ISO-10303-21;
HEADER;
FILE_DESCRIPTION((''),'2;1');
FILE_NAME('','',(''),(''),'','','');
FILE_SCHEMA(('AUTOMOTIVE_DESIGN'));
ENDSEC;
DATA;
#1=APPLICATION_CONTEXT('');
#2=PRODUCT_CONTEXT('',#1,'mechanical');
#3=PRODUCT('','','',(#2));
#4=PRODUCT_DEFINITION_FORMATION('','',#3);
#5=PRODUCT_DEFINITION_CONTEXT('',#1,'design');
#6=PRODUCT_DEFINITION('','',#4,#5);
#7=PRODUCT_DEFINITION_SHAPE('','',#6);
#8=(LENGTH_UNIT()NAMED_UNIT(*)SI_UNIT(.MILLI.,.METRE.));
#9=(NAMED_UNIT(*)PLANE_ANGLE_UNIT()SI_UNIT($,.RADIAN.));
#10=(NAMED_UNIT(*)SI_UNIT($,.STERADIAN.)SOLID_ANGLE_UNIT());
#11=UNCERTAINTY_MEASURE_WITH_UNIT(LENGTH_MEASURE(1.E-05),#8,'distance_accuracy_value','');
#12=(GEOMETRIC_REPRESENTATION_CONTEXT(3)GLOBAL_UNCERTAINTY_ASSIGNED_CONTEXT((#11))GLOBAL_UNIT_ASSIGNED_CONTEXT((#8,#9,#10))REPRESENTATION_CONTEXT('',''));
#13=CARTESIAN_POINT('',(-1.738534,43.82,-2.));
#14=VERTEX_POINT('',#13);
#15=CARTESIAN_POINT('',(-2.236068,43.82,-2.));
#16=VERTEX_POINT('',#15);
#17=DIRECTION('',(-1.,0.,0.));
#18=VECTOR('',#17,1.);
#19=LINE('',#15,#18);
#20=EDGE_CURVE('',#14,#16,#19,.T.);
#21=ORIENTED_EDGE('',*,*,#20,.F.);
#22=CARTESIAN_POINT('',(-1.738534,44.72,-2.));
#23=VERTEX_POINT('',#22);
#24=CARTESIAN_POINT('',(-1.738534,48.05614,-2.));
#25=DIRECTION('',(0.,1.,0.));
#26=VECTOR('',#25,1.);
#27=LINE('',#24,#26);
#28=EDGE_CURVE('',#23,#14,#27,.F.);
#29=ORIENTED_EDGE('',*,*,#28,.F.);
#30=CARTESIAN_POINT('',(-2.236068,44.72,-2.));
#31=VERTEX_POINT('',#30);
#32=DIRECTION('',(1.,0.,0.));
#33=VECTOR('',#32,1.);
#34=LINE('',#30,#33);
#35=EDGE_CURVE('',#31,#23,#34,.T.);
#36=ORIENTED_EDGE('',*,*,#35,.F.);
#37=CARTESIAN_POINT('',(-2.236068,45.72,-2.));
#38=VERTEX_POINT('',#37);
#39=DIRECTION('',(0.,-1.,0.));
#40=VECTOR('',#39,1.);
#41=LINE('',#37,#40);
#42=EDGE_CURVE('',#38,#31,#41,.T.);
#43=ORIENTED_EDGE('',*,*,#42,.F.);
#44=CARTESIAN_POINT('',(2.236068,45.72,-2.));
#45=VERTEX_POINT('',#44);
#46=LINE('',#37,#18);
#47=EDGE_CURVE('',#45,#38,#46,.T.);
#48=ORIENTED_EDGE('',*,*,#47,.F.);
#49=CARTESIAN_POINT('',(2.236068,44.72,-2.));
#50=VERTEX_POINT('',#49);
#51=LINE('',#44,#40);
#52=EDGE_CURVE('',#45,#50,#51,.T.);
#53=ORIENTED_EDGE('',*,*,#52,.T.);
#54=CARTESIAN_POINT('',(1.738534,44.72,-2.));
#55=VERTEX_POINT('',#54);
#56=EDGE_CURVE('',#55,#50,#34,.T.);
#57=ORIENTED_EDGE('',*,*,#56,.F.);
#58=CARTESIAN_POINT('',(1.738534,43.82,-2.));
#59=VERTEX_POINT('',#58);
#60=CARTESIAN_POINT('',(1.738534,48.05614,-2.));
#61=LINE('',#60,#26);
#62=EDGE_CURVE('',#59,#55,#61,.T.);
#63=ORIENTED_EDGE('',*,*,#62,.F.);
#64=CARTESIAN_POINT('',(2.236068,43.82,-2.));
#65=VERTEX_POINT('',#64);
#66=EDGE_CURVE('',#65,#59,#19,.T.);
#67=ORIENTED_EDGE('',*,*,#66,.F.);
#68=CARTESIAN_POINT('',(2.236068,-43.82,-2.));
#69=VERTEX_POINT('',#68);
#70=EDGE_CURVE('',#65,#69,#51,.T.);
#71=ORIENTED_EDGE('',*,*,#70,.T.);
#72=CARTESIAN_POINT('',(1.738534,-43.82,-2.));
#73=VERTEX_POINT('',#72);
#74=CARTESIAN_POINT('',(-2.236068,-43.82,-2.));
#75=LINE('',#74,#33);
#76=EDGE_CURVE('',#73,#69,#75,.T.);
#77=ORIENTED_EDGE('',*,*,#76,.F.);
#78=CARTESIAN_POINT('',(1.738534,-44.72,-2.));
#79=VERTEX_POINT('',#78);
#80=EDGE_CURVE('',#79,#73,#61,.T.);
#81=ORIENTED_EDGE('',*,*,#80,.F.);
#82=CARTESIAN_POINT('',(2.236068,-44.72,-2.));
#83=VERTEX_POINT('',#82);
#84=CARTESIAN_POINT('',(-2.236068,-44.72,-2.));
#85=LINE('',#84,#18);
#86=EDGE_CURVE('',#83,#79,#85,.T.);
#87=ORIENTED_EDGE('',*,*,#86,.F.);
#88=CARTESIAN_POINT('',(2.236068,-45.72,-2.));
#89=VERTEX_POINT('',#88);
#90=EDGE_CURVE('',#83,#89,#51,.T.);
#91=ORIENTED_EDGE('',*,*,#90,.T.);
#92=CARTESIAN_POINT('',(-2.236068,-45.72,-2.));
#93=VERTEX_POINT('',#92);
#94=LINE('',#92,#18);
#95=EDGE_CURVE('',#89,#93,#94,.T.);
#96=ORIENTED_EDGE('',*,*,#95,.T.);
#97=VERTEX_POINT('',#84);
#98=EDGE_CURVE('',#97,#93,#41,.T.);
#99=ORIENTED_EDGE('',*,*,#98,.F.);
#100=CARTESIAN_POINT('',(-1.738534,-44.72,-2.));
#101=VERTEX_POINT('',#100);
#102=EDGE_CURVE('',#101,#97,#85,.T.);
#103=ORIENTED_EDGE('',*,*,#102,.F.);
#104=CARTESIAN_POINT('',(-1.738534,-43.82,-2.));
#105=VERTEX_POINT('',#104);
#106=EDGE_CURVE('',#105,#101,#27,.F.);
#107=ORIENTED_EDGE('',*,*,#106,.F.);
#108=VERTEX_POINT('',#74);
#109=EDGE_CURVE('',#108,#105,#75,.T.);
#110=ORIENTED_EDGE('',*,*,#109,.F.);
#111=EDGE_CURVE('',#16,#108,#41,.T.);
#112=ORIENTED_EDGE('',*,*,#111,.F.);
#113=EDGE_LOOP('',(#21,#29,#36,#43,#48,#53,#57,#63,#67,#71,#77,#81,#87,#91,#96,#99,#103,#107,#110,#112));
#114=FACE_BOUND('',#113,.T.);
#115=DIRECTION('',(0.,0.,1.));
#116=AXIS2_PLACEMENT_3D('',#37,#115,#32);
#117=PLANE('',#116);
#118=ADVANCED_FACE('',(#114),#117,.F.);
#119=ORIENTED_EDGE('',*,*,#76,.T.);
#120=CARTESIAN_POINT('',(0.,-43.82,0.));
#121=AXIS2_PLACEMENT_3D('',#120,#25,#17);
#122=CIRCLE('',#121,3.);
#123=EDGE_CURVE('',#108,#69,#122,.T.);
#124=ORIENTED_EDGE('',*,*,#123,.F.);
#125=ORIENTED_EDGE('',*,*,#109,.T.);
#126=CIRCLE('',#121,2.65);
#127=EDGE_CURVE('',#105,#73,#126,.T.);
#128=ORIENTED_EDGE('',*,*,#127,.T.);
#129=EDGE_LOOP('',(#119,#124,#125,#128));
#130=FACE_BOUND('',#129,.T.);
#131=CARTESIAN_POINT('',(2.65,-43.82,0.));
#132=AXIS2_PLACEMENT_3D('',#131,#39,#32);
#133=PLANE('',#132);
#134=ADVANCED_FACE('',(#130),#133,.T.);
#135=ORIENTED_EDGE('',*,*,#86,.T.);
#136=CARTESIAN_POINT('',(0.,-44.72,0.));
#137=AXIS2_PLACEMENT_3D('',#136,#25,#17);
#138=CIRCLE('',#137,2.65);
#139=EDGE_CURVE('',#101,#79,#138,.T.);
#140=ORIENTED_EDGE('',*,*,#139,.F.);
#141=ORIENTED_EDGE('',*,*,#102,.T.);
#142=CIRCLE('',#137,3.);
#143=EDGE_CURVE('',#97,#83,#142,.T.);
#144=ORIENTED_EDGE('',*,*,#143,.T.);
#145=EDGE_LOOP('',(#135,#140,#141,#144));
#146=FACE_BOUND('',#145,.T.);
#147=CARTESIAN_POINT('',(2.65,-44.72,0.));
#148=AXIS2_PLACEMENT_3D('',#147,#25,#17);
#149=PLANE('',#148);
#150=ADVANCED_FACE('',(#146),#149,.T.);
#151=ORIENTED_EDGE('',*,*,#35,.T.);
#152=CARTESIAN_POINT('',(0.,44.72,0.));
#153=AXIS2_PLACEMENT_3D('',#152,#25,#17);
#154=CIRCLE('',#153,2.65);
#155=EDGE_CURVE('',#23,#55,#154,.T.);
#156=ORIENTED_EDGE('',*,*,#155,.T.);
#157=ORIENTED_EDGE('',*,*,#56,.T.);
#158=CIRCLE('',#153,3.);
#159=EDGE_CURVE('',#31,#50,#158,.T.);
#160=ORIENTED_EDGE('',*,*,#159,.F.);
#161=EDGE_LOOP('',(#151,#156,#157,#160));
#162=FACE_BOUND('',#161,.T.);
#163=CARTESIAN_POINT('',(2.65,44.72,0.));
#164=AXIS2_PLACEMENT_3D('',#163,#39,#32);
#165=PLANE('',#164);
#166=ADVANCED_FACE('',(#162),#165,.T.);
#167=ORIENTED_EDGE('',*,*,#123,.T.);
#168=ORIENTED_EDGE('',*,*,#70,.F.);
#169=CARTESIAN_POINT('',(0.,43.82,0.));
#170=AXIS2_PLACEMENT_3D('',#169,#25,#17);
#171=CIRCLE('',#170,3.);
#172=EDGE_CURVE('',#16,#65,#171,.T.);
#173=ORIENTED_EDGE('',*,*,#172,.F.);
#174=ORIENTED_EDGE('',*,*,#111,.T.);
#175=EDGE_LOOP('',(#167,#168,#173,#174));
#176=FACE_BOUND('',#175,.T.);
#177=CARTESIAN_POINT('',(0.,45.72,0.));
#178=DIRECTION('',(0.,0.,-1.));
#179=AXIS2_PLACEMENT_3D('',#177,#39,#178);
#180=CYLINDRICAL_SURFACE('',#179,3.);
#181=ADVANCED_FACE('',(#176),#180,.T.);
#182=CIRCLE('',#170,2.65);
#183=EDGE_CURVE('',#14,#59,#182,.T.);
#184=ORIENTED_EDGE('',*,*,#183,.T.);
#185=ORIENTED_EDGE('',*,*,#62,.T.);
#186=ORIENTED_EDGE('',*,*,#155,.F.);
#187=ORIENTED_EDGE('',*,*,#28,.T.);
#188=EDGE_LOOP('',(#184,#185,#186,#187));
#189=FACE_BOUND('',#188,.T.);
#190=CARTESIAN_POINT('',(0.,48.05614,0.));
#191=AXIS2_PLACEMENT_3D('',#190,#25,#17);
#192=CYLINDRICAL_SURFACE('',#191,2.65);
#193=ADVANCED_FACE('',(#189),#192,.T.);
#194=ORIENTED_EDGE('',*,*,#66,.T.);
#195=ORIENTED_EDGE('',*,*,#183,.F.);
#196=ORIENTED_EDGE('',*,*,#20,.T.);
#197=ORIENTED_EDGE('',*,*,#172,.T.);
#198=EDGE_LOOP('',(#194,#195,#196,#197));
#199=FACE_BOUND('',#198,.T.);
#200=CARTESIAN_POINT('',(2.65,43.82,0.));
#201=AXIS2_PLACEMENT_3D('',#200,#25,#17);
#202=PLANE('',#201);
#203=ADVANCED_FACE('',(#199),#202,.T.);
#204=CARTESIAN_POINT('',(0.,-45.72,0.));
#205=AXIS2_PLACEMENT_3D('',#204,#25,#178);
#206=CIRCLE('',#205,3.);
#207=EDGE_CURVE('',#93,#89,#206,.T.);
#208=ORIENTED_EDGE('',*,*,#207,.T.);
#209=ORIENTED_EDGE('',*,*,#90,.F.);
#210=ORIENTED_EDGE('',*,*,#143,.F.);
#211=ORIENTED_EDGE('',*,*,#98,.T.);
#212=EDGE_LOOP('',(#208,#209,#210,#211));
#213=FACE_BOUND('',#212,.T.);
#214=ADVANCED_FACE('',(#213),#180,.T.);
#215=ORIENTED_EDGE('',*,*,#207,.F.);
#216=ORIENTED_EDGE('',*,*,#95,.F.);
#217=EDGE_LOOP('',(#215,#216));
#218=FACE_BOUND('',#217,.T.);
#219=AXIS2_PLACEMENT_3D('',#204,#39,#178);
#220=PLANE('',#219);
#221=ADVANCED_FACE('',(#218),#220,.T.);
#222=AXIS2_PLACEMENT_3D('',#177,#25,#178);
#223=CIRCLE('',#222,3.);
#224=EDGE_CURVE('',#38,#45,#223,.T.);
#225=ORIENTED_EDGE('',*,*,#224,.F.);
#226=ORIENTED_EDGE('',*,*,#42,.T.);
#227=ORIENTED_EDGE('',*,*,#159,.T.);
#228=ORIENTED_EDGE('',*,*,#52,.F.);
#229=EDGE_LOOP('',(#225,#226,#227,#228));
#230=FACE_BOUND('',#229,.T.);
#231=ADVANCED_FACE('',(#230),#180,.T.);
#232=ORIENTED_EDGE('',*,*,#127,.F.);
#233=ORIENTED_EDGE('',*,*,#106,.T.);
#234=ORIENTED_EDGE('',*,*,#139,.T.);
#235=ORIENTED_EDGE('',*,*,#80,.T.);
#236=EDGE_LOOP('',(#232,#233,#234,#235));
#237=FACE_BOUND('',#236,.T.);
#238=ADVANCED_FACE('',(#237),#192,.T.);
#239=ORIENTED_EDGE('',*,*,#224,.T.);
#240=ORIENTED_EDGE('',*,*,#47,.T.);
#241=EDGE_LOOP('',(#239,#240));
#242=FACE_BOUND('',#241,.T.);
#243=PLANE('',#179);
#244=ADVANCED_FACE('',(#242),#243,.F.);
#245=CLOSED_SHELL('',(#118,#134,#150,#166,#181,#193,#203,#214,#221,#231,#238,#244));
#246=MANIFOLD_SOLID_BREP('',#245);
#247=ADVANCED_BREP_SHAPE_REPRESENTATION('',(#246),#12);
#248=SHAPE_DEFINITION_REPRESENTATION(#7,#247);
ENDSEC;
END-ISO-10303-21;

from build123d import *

# Parameters (mm, degrees)
BOSS_EXTRUDE1_DEPTH = 45.72
SKETCH2_W           = 0.35
SKETCH2_H           = 0.9


with BuildPart() as part:
    # Sketch1 → Boss-Extrude1 (new body, symmetric)
    with BuildSketch(Plane(origin=(0, 0, 0), x_dir=(1, 0, 0), z_dir=(0, 1, 0))):
        with BuildLine():
            Line((-2.236067977, 2), (2.236067977, 2))
            ThreePointArc((2.236067977, 2), (0, -3), (-2.236067977, 2))
        make_face()
    extrude(amount=BOSS_EXTRUDE1_DEPTH, both=True)

    # Sketch2 → Cut-Revolve1 (revolve, cut)
    with BuildSketch(Plane.XY):
        with Locations((2.825, 44.27)):
            Rectangle(SKETCH2_W, SKETCH2_H)
        with Locations((2.825, -44.27)):
            Rectangle(SKETCH2_W, SKETCH2_H)
    revolve(axis=Axis((0, 48.05613995, 0), (0, -1, 0)), mode=Mode.SUBTRACT)


solid = part.part
